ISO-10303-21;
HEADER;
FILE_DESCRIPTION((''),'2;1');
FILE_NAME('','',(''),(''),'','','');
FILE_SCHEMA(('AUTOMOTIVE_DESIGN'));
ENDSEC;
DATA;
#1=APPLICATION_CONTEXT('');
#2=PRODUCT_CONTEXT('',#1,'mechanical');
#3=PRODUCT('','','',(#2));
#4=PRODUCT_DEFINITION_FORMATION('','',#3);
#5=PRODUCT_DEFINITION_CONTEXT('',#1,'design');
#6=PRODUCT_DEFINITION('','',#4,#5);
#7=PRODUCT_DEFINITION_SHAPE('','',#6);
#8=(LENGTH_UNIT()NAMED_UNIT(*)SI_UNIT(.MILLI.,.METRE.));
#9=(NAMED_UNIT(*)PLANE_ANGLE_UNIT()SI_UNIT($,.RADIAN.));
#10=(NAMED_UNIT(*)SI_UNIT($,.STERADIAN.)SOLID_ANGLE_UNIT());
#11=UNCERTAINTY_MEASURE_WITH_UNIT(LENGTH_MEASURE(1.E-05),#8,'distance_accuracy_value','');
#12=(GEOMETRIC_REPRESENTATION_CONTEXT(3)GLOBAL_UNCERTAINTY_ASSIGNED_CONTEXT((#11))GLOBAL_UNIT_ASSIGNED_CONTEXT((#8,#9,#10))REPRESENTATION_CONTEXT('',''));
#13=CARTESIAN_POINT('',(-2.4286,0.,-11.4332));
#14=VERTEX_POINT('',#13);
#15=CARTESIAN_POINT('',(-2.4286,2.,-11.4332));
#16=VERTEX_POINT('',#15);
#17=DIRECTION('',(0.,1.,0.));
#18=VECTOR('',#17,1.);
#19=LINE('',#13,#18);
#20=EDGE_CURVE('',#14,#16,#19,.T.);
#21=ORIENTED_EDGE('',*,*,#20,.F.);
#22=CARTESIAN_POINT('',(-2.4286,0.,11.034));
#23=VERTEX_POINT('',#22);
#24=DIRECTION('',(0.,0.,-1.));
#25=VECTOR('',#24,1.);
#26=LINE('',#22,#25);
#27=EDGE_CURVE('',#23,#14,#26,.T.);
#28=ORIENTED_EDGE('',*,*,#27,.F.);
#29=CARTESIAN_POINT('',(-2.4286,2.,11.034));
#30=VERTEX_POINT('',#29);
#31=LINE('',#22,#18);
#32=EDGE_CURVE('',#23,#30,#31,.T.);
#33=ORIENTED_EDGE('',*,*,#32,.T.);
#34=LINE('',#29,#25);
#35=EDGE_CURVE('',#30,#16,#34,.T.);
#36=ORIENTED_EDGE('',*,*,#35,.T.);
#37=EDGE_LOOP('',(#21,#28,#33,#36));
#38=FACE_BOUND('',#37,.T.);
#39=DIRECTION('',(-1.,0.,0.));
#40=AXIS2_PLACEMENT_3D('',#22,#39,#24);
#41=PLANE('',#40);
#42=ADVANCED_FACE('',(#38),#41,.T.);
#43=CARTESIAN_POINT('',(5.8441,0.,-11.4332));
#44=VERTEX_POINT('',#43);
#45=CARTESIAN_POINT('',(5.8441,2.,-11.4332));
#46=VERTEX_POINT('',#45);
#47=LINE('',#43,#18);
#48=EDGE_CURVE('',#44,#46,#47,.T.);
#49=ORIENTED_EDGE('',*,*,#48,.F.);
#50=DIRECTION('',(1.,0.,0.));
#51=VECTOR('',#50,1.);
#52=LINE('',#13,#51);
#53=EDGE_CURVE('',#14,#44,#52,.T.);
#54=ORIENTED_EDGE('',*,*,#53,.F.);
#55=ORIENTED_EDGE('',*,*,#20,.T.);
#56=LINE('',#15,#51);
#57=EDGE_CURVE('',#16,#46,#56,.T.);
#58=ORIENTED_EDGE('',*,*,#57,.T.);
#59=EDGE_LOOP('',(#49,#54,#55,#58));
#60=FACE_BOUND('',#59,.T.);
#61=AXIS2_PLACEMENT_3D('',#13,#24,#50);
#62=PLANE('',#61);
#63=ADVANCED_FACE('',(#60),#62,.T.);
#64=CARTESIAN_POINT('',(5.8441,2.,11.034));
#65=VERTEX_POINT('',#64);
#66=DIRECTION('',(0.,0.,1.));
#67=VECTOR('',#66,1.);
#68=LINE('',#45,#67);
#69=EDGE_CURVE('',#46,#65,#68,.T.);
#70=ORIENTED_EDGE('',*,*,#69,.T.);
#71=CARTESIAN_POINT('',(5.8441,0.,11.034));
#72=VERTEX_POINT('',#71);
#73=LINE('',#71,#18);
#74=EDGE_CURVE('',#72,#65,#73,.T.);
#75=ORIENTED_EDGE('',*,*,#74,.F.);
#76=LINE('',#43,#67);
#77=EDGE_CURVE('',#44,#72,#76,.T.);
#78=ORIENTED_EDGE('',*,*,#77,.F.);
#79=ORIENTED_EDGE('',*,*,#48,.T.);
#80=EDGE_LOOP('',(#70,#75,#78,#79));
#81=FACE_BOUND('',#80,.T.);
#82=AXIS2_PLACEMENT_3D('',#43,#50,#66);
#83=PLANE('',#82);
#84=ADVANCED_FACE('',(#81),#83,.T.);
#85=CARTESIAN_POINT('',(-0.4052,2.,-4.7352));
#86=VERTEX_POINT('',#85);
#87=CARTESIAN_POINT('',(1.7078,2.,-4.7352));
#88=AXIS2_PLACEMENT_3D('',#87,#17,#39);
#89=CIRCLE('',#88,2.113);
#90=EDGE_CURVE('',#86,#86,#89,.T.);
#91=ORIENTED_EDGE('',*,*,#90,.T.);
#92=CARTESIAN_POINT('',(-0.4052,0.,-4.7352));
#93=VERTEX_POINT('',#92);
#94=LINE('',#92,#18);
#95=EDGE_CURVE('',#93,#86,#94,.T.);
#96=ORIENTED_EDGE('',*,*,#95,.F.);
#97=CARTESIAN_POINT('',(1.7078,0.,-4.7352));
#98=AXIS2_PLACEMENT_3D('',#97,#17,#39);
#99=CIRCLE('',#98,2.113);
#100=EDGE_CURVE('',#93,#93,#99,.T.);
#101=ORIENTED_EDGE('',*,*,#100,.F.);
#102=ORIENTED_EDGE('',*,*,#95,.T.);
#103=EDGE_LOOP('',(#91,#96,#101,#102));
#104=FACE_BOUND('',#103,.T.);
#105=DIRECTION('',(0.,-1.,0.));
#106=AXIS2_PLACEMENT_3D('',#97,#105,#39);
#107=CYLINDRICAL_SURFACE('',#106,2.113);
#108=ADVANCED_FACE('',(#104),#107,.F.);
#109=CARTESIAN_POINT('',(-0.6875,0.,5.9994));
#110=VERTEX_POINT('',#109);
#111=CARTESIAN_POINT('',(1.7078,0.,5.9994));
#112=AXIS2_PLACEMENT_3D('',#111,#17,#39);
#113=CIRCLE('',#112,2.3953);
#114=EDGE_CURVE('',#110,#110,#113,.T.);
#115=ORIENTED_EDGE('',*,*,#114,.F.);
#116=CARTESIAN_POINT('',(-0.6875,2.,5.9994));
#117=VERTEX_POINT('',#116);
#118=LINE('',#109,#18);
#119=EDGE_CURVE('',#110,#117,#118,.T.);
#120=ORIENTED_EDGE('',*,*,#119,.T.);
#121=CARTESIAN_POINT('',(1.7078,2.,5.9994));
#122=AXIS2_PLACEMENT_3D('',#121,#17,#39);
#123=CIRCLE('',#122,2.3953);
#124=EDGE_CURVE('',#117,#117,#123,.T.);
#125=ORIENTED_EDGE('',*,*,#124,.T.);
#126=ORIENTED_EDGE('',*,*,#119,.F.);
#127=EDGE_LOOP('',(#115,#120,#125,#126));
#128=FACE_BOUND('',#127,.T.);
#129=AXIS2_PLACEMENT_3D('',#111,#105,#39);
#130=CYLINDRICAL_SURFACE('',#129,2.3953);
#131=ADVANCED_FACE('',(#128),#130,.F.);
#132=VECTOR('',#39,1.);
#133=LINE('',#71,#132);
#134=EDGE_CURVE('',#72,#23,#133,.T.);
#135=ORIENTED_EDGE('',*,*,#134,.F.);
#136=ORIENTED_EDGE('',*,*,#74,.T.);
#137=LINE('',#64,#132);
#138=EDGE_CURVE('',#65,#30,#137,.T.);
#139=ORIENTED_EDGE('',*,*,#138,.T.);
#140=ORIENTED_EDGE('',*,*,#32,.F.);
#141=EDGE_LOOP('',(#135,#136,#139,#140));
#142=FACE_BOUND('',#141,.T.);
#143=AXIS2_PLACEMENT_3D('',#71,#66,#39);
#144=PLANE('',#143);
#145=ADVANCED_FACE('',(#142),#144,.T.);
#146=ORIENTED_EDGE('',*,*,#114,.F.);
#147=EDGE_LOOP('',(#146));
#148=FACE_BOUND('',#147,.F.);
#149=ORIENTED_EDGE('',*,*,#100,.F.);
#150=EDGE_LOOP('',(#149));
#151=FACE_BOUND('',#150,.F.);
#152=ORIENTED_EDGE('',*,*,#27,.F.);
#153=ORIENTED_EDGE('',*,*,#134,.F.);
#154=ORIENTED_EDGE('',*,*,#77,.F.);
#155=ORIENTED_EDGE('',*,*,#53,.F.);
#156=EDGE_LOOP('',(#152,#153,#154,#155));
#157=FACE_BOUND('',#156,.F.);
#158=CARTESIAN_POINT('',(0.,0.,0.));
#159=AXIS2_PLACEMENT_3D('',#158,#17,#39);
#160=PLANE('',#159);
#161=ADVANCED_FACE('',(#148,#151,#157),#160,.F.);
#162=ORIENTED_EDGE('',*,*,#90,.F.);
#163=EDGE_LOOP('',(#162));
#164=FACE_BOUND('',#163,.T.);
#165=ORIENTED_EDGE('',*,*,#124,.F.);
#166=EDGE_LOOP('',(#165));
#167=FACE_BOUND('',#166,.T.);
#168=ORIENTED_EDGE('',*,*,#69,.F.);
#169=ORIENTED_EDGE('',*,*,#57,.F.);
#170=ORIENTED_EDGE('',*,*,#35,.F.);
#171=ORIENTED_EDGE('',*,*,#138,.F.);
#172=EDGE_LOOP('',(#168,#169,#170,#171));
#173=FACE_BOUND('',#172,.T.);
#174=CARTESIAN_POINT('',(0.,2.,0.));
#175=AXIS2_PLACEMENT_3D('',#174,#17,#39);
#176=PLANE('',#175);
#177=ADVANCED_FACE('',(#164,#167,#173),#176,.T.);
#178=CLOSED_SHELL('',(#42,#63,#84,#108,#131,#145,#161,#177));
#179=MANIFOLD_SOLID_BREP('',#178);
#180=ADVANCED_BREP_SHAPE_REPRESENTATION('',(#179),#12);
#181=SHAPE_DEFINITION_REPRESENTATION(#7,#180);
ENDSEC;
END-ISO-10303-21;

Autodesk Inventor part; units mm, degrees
ref_plane "YZ Plane" through (0, 0, 0) normal (1, 0, 0) x (0, 1, 0)
ref_plane "XZ Plane" through (0, 0, 0) normal (0, 1, 0) x (-1, 0, 0)
ref_plane "XY Plane" through (0, 0, 0) normal (0, 0, 1) x (1, 0, 0)
sketch "Sketch1" plane through (0, 0, 0) normal (0, 1, 0) x (-1, 0, 0)
  line L0 (-5.8441, 11.034) -> (2.4286, 11.034)
  line L1 (2.4286, 11.034) -> (2.4286, -11.4332)
  line L2 (2.4286, -11.4332) -> (-5.8441, -11.4332)
  line L3 (-5.8441, -11.4332) -> (-5.8441, 11.034)
  circle A0 centre (-1.7078, 5.9994) radius 2.3953
  circle A1 centre (-1.7078, -4.7352) radius 2.113
  point P0 (0, 0)
extrude "Extrusion1" add sketch "Sketch1" along normal blind 2
properties part number "da"
